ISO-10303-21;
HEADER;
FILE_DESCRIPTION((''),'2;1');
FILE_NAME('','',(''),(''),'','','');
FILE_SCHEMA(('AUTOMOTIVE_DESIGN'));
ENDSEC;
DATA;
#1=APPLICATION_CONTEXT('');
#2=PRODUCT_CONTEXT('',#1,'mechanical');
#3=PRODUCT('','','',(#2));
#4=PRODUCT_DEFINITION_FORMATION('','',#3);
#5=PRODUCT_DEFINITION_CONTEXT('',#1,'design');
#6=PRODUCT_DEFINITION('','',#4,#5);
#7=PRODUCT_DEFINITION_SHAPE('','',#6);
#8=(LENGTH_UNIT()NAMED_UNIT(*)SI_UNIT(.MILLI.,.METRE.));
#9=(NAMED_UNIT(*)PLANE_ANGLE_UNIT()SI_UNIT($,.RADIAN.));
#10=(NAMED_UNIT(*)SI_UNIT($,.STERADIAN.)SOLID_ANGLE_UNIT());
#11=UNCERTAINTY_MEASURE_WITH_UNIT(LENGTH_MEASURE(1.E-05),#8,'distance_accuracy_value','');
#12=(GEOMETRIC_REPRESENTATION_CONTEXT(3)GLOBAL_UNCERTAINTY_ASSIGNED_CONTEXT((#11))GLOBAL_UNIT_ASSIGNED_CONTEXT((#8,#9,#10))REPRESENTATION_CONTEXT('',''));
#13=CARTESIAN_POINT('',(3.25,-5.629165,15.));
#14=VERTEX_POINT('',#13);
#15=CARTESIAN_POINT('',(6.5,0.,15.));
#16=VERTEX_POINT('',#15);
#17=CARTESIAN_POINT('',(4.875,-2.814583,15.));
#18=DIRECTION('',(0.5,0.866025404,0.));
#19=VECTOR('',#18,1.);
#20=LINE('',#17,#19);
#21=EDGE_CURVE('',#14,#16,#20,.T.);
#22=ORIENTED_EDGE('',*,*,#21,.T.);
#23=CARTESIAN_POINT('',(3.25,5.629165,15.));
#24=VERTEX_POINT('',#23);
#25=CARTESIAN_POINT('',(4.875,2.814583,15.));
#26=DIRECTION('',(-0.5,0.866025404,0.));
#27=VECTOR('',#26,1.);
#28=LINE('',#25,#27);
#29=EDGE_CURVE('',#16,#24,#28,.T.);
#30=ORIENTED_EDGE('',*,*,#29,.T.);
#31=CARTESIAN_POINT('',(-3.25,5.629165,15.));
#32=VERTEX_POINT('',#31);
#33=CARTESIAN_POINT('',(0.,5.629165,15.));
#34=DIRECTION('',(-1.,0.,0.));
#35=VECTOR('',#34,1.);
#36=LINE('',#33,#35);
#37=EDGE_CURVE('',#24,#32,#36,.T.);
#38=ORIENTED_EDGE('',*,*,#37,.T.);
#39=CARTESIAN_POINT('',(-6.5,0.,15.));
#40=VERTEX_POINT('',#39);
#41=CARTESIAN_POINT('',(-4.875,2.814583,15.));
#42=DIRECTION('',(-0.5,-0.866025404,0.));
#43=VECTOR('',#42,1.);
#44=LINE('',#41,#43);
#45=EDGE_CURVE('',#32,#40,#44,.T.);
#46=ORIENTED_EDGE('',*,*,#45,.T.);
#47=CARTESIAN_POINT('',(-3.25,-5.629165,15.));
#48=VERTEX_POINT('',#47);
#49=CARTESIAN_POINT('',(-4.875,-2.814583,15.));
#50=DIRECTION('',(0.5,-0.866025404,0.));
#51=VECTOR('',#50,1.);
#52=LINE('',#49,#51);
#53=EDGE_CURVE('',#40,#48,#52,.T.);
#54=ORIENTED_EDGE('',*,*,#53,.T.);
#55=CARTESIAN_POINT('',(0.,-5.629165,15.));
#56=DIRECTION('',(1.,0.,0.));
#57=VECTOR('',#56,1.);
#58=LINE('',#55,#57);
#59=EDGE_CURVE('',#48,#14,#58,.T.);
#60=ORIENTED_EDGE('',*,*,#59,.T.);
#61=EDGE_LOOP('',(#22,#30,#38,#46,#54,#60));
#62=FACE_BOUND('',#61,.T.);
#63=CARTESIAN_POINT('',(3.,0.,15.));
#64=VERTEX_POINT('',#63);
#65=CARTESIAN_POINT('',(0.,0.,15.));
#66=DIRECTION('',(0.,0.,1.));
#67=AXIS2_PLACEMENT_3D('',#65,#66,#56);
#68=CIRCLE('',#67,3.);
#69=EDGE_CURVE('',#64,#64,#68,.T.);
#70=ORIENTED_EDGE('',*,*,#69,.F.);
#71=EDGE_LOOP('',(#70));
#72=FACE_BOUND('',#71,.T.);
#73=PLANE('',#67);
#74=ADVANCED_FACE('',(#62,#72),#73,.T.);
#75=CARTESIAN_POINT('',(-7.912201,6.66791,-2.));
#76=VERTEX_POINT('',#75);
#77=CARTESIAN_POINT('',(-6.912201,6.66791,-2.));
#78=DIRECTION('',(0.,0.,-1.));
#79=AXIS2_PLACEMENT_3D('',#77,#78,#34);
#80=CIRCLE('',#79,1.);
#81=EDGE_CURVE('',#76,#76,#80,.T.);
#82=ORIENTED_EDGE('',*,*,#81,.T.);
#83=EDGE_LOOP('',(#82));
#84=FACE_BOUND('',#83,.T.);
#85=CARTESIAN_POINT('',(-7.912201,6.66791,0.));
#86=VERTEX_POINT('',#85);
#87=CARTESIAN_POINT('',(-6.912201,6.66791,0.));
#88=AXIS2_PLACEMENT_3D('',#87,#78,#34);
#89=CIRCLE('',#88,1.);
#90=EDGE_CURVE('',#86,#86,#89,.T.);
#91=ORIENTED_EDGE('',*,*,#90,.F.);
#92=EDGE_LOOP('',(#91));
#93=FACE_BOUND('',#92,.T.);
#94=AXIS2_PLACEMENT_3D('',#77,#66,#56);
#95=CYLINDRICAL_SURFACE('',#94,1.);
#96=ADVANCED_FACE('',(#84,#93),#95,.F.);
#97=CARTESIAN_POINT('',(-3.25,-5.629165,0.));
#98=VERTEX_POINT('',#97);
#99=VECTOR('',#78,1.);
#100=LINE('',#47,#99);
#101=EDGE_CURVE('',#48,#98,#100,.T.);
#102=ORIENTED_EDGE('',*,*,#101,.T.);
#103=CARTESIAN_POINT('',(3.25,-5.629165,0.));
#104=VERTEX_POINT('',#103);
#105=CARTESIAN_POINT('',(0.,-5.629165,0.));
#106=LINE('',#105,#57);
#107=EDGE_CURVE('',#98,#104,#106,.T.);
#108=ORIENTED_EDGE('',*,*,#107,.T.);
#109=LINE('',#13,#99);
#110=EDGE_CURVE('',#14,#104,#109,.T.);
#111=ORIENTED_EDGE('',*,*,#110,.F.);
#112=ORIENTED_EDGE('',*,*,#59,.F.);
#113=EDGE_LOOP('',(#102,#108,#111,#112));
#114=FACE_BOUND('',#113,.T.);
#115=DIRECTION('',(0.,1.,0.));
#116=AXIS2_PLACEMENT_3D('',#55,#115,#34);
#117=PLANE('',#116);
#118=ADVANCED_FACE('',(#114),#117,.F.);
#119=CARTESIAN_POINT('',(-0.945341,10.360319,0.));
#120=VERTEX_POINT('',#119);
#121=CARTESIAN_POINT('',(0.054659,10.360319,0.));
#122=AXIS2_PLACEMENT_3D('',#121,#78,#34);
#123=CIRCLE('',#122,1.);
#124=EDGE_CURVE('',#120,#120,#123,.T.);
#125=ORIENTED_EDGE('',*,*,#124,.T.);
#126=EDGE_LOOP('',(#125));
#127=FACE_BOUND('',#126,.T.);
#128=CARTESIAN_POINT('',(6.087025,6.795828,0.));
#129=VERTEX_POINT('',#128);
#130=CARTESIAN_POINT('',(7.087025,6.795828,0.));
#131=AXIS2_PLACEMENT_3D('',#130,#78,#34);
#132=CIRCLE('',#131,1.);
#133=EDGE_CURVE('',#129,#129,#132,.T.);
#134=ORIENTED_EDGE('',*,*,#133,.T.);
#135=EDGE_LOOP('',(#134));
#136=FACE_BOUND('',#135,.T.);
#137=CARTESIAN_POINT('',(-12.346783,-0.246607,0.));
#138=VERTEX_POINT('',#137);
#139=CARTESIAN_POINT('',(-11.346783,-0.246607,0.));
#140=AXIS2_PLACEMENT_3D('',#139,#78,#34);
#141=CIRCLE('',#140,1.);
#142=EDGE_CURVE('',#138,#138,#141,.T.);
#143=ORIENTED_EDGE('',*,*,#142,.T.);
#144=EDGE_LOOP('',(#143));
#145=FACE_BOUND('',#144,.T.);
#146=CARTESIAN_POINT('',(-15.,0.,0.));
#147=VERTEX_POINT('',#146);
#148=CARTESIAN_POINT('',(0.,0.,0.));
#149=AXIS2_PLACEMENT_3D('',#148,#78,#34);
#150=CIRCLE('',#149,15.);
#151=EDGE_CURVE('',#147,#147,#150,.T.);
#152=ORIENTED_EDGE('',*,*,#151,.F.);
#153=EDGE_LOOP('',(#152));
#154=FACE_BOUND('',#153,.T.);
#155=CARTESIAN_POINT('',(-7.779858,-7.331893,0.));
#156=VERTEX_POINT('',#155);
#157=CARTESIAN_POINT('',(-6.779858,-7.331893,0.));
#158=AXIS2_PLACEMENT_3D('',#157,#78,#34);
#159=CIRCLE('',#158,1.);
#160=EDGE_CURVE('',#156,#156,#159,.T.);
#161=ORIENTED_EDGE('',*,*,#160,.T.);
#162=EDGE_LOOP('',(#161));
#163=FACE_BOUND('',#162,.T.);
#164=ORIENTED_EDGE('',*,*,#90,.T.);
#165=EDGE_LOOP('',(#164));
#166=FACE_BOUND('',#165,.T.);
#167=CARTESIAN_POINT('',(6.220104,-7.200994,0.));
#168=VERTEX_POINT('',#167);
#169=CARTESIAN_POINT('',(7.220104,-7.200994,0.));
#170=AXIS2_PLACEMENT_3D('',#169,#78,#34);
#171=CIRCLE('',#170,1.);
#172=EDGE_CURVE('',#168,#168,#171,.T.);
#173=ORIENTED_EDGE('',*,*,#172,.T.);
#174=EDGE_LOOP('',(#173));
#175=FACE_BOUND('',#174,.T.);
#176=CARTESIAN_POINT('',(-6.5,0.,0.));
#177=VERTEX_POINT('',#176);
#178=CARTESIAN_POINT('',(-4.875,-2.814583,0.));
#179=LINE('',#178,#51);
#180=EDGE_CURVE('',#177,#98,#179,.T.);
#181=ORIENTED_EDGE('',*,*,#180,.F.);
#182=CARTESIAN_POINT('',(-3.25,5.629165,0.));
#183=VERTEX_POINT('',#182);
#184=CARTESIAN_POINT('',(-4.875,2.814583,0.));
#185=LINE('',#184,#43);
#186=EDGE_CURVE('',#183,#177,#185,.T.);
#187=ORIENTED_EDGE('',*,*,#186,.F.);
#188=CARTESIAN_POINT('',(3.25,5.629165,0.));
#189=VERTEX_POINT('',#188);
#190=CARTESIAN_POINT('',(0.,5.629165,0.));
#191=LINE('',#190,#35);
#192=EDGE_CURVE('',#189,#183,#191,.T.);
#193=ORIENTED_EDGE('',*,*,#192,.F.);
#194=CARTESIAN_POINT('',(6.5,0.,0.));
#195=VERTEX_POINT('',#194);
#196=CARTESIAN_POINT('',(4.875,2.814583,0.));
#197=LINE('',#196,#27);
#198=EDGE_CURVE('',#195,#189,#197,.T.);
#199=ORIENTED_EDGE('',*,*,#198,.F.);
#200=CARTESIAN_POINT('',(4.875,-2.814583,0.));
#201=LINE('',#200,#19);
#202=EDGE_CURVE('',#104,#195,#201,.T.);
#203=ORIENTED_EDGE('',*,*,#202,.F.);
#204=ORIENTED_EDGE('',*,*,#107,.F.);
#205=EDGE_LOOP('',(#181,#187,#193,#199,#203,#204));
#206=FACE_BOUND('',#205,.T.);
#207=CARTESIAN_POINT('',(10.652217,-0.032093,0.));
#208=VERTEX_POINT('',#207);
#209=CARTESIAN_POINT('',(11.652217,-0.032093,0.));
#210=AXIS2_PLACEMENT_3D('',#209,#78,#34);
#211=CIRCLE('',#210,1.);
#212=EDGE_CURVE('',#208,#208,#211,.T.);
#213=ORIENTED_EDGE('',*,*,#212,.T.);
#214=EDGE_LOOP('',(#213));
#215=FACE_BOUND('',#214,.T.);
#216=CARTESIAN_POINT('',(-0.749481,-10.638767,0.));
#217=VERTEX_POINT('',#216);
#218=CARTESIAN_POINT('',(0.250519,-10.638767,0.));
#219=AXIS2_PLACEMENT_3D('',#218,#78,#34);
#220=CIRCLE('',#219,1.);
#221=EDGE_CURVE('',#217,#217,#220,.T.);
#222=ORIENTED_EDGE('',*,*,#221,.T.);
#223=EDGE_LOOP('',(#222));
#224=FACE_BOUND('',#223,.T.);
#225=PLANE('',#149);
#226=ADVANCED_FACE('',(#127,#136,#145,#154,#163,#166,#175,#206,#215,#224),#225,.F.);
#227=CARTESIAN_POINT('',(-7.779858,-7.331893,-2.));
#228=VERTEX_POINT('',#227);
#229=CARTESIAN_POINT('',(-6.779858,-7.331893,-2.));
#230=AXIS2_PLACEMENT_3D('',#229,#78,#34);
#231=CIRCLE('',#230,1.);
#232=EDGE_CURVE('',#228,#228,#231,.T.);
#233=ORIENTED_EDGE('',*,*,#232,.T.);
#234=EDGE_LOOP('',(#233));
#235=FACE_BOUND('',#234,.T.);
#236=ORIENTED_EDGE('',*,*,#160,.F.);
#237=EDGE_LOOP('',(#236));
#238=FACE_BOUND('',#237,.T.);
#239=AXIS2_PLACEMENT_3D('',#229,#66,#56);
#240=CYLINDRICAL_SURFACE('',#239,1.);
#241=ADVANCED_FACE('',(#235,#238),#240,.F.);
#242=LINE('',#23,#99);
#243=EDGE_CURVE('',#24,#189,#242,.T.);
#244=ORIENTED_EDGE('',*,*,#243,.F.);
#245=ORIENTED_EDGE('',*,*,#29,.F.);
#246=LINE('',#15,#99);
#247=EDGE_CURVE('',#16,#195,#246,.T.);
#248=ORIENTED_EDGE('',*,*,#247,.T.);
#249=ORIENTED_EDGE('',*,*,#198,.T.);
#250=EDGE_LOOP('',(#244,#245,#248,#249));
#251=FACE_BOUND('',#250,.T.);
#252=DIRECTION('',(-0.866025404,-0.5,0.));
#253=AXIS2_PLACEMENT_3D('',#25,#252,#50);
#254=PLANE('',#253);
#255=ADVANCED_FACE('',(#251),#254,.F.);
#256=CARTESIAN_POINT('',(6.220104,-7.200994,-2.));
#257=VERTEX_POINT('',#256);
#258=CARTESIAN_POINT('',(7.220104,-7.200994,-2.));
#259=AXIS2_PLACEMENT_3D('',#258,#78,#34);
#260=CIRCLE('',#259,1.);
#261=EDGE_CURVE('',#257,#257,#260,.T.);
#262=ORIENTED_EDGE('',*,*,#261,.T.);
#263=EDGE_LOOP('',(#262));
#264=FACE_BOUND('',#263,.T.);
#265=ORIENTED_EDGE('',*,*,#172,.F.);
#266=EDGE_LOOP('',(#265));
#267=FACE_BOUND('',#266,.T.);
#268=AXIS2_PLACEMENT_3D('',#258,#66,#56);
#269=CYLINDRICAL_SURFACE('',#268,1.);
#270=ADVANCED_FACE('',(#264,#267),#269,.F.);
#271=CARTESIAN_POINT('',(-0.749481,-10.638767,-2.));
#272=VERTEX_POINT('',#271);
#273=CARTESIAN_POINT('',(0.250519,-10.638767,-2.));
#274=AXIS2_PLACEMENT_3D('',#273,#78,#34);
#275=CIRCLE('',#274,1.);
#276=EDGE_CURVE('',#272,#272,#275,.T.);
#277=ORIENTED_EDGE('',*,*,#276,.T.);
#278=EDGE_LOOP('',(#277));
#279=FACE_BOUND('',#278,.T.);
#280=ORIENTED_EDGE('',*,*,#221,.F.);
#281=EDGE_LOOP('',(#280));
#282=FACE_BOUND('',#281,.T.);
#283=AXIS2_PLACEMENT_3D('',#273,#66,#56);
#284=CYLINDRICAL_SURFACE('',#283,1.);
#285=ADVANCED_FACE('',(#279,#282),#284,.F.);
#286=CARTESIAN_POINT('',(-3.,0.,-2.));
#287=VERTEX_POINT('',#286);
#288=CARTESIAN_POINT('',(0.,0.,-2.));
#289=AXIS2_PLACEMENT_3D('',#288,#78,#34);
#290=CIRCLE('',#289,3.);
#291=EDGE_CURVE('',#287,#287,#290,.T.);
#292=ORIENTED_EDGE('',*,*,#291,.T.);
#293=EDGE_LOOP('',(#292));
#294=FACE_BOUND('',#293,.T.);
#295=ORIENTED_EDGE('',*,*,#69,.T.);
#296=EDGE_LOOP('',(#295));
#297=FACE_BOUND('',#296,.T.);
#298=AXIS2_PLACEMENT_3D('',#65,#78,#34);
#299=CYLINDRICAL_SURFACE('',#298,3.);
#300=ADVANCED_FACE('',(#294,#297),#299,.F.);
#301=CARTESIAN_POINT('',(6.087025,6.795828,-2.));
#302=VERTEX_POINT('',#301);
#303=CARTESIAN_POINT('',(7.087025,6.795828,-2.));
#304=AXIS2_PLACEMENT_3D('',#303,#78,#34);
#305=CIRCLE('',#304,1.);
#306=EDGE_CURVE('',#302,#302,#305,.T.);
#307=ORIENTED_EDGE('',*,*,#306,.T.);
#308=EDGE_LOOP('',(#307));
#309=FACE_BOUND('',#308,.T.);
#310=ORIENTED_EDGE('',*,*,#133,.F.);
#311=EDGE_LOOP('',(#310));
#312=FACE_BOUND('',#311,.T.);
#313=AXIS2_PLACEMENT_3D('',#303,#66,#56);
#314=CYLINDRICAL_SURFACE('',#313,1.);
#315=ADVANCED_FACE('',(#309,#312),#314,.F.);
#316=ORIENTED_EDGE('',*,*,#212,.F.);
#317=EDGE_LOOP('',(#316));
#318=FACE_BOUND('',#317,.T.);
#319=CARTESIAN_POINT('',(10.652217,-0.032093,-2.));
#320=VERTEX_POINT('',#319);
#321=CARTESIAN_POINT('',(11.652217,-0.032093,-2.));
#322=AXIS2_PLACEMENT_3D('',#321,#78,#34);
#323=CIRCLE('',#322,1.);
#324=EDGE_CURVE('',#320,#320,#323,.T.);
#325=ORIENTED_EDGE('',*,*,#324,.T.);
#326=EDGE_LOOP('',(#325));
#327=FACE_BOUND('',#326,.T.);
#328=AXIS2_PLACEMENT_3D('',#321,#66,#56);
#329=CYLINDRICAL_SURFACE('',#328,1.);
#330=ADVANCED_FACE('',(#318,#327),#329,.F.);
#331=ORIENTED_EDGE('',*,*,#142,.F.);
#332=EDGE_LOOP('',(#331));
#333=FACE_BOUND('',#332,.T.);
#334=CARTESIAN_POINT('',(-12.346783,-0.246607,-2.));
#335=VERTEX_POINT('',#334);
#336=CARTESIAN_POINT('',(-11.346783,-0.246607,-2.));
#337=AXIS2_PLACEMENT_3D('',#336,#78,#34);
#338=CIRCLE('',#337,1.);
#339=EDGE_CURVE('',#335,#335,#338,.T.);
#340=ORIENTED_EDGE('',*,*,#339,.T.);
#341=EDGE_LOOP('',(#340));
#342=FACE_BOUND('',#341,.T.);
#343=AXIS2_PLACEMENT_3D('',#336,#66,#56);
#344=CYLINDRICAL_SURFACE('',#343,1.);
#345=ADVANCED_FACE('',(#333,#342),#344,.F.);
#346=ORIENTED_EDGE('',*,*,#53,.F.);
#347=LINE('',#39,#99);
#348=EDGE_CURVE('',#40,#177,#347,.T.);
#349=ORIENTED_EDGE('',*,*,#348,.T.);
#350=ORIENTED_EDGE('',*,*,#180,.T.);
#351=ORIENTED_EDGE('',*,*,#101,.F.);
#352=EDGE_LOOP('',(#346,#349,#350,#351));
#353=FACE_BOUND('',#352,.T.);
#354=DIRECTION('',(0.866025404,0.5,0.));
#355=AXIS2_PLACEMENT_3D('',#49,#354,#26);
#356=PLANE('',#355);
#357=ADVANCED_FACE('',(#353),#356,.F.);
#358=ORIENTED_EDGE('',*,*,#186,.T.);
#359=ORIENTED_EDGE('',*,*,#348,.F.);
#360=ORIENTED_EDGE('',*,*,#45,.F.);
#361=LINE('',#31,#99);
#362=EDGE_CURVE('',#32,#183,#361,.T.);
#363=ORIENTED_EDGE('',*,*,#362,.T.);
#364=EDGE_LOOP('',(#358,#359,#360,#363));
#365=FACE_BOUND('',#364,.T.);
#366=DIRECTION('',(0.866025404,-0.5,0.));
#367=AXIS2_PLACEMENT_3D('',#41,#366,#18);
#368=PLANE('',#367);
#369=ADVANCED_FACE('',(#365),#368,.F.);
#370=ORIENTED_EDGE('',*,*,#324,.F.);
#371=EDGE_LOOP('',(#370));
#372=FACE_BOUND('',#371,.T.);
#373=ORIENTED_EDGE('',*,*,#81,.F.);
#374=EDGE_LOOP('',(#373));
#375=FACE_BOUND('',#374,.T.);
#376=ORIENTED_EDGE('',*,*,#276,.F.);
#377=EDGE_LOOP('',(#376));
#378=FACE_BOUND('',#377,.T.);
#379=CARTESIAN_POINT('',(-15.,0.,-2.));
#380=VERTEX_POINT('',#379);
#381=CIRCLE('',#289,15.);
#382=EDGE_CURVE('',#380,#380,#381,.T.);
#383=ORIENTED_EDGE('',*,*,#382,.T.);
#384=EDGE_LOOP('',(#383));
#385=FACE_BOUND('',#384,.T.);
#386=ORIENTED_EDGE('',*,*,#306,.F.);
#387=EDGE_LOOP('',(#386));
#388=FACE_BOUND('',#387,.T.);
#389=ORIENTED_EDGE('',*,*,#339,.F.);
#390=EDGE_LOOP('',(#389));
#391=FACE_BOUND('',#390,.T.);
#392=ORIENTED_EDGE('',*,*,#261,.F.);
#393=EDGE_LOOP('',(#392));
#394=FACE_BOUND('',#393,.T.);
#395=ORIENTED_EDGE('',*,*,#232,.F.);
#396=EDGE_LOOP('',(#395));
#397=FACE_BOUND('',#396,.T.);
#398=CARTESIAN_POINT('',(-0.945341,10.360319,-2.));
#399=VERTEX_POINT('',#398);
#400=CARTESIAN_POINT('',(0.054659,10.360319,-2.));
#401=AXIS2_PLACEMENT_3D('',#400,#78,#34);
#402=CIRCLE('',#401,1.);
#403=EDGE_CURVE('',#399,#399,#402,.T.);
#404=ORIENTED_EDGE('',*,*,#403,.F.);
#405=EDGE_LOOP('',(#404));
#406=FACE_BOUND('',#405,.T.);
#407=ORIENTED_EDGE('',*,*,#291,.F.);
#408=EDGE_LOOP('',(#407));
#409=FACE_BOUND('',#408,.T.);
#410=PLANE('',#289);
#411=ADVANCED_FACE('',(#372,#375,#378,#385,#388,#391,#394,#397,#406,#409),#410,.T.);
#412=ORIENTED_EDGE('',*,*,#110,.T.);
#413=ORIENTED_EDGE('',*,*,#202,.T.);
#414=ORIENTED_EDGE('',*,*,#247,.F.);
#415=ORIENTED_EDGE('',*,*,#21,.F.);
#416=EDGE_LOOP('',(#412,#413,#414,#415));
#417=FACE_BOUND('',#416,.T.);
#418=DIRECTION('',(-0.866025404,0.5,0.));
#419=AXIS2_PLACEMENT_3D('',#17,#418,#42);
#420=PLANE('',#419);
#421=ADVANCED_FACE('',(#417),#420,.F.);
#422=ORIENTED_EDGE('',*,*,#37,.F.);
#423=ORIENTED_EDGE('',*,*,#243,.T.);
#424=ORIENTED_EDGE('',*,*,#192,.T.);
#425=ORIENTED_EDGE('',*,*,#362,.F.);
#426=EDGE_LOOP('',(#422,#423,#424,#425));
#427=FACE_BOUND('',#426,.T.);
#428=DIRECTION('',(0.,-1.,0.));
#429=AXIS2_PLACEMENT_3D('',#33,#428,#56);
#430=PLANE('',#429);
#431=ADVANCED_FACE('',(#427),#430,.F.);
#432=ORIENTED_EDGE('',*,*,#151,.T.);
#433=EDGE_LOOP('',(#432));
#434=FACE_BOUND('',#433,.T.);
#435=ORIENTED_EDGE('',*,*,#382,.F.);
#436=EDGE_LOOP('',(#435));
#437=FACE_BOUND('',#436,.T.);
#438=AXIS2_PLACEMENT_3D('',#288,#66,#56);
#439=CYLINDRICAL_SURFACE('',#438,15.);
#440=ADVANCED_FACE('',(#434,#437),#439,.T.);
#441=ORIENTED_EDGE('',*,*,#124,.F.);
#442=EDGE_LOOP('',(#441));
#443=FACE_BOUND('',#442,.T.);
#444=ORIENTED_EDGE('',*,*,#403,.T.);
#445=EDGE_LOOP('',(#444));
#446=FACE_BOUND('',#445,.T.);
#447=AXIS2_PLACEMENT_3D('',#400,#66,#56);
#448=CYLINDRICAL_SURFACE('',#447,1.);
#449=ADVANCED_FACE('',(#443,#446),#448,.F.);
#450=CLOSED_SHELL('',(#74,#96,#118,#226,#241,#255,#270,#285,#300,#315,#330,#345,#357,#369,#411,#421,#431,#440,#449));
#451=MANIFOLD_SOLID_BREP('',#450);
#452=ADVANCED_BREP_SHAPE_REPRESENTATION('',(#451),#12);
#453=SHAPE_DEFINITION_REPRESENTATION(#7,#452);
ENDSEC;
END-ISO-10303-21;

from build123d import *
from build123d.topology import SkipClean

# Parameters (mm, degrees)
SKETCH_1_R      = 3
EXTRUDE_1_DEPTH = 15
EXTRUDE_START   = 2
SKETCH_2_R      = 15
SKETCH_2_R_2    = 3
SKETCH_2_R_3    = 1
EXTRUDE_2_DEPTH = 2


with BuildPart() as part:
    # 草图1 → 凸台-拉伸1 (new body)
    with BuildSketch(Plane.XY):
        Polygon((-3.25, -5.629165125), (3.25, -5.629165125), (6.5, 0), (3.25, 5.629165125), (-3.25, 5.629165125), (-6.5, 0), align=None)
        Circle(SKETCH_1_R, mode=Mode.SUBTRACT)
    extrude(amount=EXTRUDE_1_DEPTH)

    # 草图2 → 凸台-拉伸2 (add)
    with SkipClean():  # the faces are left unmerged after this step: merging them gives an invalid solid
        with BuildSketch(Plane(origin=(0, 0, 0), x_dir=(-1, 0, 0), z_dir=(0, 0, -1)).offset(EXTRUDE_START)):
            Circle(SKETCH_2_R)
            Circle(SKETCH_2_R_2, mode=Mode.SUBTRACT)
            with Locations((-0.054658846, 10.360319416)):
                Circle(SKETCH_2_R_3, mode=Mode.SUBTRACT)
            with Locations((6.912201484, 6.667909711)):
                Circle(SKETCH_2_R_3, mode=Mode.SUBTRACT)
            with Locations((11.346782596, -0.246606579)):
                Circle(SKETCH_2_R_3, mode=Mode.SUBTRACT)
            with Locations((6.779857889, -7.331892684)):
                Circle(SKETCH_2_R_3, mode=Mode.SUBTRACT)
            with Locations((-0.25051923, -10.6387672)):
                Circle(SKETCH_2_R_3, mode=Mode.SUBTRACT)
            with Locations((-7.220104111, -7.200993699)):
                Circle(SKETCH_2_R_3, mode=Mode.SUBTRACT)
            with Locations((-11.652217031, -0.032092826)):
                Circle(SKETCH_2_R_3, mode=Mode.SUBTRACT)
            with Locations((-7.087024538, 6.795828302)):
                Circle(SKETCH_2_R_3, mode=Mode.SUBTRACT)
        extrude(amount=-EXTRUDE_2_DEPTH)


solid = part.part
